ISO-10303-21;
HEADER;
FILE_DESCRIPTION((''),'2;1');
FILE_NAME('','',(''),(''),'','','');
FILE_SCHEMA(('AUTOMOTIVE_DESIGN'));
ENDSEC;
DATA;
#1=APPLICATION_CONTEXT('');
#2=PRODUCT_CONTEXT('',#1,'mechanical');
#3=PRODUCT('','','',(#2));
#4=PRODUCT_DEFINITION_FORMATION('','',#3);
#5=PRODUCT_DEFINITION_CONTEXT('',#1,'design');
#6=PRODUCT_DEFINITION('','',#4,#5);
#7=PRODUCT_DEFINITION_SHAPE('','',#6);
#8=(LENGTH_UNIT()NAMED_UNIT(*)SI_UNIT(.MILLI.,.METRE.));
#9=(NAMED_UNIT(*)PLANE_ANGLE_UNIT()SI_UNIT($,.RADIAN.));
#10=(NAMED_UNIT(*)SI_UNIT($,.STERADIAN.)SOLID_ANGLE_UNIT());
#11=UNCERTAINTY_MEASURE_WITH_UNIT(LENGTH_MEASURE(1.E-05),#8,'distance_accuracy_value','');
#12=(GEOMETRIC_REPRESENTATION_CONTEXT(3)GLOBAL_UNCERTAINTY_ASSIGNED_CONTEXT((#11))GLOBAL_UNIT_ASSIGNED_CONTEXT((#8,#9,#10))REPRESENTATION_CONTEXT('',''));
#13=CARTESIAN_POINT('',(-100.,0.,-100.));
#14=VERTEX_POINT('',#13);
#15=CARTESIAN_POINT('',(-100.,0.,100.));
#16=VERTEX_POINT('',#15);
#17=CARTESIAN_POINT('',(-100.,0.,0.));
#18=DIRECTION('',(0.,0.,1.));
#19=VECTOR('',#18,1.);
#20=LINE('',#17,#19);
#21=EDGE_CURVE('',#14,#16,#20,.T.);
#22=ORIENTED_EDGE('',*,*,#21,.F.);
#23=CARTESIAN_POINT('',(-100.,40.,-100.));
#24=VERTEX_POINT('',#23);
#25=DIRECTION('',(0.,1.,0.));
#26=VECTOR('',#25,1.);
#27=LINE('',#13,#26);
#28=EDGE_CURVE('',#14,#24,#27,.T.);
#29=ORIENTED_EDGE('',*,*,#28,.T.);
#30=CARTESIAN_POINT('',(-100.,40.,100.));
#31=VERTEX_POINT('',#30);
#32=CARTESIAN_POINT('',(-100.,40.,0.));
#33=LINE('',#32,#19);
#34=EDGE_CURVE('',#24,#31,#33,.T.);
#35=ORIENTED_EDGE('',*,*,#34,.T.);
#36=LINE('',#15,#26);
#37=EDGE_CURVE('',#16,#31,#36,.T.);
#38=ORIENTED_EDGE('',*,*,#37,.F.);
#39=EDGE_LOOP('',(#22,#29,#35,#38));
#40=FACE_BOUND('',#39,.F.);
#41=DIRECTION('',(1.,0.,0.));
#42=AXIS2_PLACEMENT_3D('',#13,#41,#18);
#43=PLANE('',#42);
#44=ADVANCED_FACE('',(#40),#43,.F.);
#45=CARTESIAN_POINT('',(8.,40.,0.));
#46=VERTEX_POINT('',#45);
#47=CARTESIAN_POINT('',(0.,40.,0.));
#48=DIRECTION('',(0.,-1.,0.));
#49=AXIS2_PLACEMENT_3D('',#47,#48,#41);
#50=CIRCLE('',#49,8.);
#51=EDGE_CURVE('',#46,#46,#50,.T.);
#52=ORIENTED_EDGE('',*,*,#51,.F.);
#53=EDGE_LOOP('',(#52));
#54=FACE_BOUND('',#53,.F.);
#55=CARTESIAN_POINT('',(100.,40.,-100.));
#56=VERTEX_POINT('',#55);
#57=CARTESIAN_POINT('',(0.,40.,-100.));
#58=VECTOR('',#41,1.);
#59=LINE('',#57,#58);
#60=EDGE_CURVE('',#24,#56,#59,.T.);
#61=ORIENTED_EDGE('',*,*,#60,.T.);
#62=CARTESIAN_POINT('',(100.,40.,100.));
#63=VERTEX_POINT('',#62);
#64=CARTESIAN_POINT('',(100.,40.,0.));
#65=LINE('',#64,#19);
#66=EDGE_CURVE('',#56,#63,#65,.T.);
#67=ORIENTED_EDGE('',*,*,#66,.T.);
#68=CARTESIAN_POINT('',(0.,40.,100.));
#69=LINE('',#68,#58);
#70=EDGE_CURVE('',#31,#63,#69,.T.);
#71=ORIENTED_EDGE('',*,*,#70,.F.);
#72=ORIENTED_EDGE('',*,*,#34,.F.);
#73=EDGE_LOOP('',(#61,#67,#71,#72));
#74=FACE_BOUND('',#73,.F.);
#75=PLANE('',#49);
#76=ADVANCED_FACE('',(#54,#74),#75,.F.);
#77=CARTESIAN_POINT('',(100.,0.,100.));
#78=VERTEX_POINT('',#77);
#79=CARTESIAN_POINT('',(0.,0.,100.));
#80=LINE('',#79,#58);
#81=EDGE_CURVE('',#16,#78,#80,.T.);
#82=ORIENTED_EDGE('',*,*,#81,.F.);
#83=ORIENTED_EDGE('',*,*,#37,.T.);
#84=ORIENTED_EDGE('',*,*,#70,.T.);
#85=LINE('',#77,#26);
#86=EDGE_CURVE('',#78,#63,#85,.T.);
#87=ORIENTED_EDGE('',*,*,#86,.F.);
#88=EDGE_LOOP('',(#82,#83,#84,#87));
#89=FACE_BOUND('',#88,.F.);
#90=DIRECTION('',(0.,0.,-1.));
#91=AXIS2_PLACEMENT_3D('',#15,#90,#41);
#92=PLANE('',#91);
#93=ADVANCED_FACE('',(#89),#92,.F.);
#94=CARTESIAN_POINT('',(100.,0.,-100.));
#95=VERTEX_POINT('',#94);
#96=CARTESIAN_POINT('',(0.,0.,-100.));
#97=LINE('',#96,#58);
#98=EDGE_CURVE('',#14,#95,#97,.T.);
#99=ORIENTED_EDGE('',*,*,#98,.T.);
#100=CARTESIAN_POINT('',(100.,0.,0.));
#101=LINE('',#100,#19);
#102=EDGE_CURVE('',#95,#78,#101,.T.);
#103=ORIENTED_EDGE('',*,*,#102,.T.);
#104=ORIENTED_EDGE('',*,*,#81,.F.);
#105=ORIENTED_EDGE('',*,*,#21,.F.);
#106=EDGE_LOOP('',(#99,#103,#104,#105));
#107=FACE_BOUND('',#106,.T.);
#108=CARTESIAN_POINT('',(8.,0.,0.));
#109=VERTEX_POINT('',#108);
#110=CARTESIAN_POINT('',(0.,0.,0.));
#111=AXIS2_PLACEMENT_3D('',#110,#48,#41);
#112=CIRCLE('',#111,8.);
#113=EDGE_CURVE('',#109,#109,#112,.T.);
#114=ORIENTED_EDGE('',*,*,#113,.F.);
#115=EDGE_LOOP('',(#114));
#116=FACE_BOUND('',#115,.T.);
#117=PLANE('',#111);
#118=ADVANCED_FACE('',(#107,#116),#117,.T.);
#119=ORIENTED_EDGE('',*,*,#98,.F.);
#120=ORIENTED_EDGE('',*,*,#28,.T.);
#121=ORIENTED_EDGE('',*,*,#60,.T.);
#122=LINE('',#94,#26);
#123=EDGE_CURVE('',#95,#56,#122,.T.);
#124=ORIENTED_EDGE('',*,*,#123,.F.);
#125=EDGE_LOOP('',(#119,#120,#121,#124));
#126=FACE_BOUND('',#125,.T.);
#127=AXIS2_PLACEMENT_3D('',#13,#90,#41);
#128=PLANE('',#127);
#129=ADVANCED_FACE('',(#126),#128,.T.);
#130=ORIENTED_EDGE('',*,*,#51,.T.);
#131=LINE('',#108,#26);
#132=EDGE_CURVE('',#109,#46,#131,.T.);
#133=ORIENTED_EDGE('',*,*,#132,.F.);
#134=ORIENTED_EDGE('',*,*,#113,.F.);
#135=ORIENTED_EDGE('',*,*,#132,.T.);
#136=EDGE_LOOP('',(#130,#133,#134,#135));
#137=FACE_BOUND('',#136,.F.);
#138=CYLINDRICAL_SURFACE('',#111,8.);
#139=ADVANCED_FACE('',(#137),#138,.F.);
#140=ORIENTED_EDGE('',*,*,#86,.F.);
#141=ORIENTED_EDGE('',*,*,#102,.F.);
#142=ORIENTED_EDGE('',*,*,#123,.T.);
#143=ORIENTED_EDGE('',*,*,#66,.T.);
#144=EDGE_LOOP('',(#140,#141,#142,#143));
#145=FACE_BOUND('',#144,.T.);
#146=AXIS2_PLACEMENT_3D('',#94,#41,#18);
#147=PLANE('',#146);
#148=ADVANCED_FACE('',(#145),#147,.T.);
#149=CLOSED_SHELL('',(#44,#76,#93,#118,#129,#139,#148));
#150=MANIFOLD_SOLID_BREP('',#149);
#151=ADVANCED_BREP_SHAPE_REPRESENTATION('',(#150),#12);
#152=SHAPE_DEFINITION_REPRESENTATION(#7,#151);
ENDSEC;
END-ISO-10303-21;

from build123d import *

# Parameters (mm, degrees)
F0_W     = 200
F0_H     = 200
F0_R     = 8
F1_DEPTH = 40


with BuildPart() as f1:
    # F0 (on Front) → F1 (new body)
    with BuildSketch(Plane.XZ):
        Rectangle(F0_W, F0_H)
        Circle(F0_R, mode=Mode.SUBTRACT)
    extrude(amount=-F1_DEPTH)


solid = f1.part
